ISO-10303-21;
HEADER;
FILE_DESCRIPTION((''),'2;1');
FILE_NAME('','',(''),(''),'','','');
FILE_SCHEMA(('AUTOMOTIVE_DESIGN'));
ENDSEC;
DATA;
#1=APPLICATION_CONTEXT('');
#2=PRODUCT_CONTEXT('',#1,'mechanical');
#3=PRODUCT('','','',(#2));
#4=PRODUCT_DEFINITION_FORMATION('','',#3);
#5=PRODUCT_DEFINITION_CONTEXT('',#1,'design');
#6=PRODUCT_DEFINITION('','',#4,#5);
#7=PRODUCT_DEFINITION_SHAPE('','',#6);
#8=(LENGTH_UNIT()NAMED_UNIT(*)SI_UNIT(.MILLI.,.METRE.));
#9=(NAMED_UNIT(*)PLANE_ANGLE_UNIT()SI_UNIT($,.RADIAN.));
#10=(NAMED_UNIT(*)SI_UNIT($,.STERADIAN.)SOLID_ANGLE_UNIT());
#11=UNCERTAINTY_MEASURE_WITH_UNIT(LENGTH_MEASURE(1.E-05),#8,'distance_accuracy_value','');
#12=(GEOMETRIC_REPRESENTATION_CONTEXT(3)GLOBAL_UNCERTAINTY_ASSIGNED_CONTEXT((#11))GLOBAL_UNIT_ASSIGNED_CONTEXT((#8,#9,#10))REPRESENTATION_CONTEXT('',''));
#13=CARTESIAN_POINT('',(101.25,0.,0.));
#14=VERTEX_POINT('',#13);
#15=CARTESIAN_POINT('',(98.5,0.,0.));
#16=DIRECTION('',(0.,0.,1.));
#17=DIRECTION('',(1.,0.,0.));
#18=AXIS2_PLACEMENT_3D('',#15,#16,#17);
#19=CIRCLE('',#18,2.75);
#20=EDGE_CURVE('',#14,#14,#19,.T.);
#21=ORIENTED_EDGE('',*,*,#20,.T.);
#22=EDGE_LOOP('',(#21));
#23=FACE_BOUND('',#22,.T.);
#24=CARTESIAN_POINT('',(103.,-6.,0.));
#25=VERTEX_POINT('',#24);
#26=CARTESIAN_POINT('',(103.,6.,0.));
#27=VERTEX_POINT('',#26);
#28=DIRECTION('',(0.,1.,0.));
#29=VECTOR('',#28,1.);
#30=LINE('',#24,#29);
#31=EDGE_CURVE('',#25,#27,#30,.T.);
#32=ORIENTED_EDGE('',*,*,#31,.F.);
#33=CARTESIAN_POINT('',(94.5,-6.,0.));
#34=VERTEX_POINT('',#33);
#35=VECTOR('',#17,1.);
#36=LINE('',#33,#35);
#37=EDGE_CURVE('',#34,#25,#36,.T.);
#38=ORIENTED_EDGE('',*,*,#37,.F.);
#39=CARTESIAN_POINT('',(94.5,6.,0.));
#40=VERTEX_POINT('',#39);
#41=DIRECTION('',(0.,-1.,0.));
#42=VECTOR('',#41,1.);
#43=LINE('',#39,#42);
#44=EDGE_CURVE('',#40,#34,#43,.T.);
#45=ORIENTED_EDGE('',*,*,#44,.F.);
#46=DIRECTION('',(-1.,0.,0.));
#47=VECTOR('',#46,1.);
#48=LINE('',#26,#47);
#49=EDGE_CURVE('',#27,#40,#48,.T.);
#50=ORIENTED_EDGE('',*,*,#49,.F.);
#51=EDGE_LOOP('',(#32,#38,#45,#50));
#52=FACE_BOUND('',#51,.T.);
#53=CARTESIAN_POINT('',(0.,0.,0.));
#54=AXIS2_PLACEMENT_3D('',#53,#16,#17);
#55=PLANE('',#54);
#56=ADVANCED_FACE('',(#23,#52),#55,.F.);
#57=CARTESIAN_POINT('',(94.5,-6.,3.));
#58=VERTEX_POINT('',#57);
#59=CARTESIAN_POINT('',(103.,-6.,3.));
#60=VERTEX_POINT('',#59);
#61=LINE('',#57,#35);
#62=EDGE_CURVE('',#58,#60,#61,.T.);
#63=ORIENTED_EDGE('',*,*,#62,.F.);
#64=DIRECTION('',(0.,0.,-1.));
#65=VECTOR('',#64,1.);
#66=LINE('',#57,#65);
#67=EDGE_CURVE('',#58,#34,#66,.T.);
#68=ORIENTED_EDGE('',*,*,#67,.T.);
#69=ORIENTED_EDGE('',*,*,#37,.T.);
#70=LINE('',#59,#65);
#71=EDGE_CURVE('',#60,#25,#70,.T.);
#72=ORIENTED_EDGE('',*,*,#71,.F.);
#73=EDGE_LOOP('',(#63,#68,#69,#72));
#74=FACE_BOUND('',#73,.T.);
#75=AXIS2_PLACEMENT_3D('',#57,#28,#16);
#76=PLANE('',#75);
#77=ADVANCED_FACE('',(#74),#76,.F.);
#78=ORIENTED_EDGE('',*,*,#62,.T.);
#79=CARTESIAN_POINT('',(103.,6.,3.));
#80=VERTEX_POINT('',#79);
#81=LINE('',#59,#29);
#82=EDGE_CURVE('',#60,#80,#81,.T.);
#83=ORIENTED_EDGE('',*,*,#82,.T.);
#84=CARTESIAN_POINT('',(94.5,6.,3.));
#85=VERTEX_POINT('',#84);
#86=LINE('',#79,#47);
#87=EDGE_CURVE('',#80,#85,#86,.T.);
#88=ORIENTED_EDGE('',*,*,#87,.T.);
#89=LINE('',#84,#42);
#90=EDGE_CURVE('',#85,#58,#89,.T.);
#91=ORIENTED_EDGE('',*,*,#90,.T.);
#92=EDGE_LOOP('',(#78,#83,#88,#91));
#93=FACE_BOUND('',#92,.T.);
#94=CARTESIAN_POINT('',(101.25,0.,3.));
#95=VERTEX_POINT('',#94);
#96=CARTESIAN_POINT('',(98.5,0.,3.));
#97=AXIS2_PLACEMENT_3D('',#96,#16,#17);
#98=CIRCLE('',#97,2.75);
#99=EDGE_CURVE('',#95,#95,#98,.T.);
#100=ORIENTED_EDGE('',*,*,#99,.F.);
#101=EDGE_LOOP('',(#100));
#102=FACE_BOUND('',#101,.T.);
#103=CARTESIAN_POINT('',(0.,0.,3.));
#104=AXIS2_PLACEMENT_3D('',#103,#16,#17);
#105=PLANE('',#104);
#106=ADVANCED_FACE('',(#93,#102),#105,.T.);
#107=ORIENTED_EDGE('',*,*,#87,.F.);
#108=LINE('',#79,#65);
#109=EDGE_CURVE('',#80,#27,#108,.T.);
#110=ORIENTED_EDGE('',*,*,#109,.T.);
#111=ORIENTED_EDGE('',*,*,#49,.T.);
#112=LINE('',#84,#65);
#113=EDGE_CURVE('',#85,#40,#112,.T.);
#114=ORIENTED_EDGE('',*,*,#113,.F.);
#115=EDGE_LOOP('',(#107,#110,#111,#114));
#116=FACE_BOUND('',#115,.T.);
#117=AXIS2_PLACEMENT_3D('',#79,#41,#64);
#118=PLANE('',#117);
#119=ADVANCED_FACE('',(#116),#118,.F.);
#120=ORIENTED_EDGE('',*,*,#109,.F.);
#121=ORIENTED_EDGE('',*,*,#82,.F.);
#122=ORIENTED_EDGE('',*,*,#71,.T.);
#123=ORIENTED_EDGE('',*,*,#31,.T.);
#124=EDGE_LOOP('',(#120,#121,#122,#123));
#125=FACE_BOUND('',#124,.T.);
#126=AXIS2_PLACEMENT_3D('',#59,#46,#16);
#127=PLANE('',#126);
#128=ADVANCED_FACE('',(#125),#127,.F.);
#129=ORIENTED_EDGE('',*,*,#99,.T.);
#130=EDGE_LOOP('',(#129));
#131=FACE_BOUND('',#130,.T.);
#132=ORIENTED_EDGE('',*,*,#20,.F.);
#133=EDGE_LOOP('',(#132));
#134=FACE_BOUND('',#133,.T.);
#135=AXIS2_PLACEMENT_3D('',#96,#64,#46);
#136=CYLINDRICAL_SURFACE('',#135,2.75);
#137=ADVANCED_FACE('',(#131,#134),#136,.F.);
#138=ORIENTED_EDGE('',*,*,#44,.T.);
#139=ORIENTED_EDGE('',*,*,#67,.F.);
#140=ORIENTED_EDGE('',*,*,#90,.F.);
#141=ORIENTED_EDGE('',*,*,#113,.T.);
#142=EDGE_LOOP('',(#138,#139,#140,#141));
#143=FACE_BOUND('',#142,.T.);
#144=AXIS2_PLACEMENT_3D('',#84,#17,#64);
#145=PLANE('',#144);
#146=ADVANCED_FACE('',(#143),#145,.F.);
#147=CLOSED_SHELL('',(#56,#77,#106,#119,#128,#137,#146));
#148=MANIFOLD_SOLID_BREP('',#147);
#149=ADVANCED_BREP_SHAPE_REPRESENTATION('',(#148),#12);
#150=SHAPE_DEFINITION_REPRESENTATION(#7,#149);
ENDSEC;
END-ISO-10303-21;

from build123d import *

# Parameters (mm, degrees)
M5_ATTACHMENT_PROFILE_W = 8.5
M5_ATTACHMENT_PROFILE_H = 12
M5_ATTACHMENT_PROFILE_R = 2.75
M5_ATTACHMENT_DEPTH     = 3


with BuildPart() as part:
    # M5 attachment profile → M5 attachment (new body)
    with BuildSketch(Plane.XY):
        with Locations((98.75, 0)):
            Rectangle(M5_ATTACHMENT_PROFILE_W, M5_ATTACHMENT_PROFILE_H)
        with Locations((98.5, 0)):
            Circle(M5_ATTACHMENT_PROFILE_R, mode=Mode.SUBTRACT)
    extrude(amount=M5_ATTACHMENT_DEPTH)


solid = part.part
